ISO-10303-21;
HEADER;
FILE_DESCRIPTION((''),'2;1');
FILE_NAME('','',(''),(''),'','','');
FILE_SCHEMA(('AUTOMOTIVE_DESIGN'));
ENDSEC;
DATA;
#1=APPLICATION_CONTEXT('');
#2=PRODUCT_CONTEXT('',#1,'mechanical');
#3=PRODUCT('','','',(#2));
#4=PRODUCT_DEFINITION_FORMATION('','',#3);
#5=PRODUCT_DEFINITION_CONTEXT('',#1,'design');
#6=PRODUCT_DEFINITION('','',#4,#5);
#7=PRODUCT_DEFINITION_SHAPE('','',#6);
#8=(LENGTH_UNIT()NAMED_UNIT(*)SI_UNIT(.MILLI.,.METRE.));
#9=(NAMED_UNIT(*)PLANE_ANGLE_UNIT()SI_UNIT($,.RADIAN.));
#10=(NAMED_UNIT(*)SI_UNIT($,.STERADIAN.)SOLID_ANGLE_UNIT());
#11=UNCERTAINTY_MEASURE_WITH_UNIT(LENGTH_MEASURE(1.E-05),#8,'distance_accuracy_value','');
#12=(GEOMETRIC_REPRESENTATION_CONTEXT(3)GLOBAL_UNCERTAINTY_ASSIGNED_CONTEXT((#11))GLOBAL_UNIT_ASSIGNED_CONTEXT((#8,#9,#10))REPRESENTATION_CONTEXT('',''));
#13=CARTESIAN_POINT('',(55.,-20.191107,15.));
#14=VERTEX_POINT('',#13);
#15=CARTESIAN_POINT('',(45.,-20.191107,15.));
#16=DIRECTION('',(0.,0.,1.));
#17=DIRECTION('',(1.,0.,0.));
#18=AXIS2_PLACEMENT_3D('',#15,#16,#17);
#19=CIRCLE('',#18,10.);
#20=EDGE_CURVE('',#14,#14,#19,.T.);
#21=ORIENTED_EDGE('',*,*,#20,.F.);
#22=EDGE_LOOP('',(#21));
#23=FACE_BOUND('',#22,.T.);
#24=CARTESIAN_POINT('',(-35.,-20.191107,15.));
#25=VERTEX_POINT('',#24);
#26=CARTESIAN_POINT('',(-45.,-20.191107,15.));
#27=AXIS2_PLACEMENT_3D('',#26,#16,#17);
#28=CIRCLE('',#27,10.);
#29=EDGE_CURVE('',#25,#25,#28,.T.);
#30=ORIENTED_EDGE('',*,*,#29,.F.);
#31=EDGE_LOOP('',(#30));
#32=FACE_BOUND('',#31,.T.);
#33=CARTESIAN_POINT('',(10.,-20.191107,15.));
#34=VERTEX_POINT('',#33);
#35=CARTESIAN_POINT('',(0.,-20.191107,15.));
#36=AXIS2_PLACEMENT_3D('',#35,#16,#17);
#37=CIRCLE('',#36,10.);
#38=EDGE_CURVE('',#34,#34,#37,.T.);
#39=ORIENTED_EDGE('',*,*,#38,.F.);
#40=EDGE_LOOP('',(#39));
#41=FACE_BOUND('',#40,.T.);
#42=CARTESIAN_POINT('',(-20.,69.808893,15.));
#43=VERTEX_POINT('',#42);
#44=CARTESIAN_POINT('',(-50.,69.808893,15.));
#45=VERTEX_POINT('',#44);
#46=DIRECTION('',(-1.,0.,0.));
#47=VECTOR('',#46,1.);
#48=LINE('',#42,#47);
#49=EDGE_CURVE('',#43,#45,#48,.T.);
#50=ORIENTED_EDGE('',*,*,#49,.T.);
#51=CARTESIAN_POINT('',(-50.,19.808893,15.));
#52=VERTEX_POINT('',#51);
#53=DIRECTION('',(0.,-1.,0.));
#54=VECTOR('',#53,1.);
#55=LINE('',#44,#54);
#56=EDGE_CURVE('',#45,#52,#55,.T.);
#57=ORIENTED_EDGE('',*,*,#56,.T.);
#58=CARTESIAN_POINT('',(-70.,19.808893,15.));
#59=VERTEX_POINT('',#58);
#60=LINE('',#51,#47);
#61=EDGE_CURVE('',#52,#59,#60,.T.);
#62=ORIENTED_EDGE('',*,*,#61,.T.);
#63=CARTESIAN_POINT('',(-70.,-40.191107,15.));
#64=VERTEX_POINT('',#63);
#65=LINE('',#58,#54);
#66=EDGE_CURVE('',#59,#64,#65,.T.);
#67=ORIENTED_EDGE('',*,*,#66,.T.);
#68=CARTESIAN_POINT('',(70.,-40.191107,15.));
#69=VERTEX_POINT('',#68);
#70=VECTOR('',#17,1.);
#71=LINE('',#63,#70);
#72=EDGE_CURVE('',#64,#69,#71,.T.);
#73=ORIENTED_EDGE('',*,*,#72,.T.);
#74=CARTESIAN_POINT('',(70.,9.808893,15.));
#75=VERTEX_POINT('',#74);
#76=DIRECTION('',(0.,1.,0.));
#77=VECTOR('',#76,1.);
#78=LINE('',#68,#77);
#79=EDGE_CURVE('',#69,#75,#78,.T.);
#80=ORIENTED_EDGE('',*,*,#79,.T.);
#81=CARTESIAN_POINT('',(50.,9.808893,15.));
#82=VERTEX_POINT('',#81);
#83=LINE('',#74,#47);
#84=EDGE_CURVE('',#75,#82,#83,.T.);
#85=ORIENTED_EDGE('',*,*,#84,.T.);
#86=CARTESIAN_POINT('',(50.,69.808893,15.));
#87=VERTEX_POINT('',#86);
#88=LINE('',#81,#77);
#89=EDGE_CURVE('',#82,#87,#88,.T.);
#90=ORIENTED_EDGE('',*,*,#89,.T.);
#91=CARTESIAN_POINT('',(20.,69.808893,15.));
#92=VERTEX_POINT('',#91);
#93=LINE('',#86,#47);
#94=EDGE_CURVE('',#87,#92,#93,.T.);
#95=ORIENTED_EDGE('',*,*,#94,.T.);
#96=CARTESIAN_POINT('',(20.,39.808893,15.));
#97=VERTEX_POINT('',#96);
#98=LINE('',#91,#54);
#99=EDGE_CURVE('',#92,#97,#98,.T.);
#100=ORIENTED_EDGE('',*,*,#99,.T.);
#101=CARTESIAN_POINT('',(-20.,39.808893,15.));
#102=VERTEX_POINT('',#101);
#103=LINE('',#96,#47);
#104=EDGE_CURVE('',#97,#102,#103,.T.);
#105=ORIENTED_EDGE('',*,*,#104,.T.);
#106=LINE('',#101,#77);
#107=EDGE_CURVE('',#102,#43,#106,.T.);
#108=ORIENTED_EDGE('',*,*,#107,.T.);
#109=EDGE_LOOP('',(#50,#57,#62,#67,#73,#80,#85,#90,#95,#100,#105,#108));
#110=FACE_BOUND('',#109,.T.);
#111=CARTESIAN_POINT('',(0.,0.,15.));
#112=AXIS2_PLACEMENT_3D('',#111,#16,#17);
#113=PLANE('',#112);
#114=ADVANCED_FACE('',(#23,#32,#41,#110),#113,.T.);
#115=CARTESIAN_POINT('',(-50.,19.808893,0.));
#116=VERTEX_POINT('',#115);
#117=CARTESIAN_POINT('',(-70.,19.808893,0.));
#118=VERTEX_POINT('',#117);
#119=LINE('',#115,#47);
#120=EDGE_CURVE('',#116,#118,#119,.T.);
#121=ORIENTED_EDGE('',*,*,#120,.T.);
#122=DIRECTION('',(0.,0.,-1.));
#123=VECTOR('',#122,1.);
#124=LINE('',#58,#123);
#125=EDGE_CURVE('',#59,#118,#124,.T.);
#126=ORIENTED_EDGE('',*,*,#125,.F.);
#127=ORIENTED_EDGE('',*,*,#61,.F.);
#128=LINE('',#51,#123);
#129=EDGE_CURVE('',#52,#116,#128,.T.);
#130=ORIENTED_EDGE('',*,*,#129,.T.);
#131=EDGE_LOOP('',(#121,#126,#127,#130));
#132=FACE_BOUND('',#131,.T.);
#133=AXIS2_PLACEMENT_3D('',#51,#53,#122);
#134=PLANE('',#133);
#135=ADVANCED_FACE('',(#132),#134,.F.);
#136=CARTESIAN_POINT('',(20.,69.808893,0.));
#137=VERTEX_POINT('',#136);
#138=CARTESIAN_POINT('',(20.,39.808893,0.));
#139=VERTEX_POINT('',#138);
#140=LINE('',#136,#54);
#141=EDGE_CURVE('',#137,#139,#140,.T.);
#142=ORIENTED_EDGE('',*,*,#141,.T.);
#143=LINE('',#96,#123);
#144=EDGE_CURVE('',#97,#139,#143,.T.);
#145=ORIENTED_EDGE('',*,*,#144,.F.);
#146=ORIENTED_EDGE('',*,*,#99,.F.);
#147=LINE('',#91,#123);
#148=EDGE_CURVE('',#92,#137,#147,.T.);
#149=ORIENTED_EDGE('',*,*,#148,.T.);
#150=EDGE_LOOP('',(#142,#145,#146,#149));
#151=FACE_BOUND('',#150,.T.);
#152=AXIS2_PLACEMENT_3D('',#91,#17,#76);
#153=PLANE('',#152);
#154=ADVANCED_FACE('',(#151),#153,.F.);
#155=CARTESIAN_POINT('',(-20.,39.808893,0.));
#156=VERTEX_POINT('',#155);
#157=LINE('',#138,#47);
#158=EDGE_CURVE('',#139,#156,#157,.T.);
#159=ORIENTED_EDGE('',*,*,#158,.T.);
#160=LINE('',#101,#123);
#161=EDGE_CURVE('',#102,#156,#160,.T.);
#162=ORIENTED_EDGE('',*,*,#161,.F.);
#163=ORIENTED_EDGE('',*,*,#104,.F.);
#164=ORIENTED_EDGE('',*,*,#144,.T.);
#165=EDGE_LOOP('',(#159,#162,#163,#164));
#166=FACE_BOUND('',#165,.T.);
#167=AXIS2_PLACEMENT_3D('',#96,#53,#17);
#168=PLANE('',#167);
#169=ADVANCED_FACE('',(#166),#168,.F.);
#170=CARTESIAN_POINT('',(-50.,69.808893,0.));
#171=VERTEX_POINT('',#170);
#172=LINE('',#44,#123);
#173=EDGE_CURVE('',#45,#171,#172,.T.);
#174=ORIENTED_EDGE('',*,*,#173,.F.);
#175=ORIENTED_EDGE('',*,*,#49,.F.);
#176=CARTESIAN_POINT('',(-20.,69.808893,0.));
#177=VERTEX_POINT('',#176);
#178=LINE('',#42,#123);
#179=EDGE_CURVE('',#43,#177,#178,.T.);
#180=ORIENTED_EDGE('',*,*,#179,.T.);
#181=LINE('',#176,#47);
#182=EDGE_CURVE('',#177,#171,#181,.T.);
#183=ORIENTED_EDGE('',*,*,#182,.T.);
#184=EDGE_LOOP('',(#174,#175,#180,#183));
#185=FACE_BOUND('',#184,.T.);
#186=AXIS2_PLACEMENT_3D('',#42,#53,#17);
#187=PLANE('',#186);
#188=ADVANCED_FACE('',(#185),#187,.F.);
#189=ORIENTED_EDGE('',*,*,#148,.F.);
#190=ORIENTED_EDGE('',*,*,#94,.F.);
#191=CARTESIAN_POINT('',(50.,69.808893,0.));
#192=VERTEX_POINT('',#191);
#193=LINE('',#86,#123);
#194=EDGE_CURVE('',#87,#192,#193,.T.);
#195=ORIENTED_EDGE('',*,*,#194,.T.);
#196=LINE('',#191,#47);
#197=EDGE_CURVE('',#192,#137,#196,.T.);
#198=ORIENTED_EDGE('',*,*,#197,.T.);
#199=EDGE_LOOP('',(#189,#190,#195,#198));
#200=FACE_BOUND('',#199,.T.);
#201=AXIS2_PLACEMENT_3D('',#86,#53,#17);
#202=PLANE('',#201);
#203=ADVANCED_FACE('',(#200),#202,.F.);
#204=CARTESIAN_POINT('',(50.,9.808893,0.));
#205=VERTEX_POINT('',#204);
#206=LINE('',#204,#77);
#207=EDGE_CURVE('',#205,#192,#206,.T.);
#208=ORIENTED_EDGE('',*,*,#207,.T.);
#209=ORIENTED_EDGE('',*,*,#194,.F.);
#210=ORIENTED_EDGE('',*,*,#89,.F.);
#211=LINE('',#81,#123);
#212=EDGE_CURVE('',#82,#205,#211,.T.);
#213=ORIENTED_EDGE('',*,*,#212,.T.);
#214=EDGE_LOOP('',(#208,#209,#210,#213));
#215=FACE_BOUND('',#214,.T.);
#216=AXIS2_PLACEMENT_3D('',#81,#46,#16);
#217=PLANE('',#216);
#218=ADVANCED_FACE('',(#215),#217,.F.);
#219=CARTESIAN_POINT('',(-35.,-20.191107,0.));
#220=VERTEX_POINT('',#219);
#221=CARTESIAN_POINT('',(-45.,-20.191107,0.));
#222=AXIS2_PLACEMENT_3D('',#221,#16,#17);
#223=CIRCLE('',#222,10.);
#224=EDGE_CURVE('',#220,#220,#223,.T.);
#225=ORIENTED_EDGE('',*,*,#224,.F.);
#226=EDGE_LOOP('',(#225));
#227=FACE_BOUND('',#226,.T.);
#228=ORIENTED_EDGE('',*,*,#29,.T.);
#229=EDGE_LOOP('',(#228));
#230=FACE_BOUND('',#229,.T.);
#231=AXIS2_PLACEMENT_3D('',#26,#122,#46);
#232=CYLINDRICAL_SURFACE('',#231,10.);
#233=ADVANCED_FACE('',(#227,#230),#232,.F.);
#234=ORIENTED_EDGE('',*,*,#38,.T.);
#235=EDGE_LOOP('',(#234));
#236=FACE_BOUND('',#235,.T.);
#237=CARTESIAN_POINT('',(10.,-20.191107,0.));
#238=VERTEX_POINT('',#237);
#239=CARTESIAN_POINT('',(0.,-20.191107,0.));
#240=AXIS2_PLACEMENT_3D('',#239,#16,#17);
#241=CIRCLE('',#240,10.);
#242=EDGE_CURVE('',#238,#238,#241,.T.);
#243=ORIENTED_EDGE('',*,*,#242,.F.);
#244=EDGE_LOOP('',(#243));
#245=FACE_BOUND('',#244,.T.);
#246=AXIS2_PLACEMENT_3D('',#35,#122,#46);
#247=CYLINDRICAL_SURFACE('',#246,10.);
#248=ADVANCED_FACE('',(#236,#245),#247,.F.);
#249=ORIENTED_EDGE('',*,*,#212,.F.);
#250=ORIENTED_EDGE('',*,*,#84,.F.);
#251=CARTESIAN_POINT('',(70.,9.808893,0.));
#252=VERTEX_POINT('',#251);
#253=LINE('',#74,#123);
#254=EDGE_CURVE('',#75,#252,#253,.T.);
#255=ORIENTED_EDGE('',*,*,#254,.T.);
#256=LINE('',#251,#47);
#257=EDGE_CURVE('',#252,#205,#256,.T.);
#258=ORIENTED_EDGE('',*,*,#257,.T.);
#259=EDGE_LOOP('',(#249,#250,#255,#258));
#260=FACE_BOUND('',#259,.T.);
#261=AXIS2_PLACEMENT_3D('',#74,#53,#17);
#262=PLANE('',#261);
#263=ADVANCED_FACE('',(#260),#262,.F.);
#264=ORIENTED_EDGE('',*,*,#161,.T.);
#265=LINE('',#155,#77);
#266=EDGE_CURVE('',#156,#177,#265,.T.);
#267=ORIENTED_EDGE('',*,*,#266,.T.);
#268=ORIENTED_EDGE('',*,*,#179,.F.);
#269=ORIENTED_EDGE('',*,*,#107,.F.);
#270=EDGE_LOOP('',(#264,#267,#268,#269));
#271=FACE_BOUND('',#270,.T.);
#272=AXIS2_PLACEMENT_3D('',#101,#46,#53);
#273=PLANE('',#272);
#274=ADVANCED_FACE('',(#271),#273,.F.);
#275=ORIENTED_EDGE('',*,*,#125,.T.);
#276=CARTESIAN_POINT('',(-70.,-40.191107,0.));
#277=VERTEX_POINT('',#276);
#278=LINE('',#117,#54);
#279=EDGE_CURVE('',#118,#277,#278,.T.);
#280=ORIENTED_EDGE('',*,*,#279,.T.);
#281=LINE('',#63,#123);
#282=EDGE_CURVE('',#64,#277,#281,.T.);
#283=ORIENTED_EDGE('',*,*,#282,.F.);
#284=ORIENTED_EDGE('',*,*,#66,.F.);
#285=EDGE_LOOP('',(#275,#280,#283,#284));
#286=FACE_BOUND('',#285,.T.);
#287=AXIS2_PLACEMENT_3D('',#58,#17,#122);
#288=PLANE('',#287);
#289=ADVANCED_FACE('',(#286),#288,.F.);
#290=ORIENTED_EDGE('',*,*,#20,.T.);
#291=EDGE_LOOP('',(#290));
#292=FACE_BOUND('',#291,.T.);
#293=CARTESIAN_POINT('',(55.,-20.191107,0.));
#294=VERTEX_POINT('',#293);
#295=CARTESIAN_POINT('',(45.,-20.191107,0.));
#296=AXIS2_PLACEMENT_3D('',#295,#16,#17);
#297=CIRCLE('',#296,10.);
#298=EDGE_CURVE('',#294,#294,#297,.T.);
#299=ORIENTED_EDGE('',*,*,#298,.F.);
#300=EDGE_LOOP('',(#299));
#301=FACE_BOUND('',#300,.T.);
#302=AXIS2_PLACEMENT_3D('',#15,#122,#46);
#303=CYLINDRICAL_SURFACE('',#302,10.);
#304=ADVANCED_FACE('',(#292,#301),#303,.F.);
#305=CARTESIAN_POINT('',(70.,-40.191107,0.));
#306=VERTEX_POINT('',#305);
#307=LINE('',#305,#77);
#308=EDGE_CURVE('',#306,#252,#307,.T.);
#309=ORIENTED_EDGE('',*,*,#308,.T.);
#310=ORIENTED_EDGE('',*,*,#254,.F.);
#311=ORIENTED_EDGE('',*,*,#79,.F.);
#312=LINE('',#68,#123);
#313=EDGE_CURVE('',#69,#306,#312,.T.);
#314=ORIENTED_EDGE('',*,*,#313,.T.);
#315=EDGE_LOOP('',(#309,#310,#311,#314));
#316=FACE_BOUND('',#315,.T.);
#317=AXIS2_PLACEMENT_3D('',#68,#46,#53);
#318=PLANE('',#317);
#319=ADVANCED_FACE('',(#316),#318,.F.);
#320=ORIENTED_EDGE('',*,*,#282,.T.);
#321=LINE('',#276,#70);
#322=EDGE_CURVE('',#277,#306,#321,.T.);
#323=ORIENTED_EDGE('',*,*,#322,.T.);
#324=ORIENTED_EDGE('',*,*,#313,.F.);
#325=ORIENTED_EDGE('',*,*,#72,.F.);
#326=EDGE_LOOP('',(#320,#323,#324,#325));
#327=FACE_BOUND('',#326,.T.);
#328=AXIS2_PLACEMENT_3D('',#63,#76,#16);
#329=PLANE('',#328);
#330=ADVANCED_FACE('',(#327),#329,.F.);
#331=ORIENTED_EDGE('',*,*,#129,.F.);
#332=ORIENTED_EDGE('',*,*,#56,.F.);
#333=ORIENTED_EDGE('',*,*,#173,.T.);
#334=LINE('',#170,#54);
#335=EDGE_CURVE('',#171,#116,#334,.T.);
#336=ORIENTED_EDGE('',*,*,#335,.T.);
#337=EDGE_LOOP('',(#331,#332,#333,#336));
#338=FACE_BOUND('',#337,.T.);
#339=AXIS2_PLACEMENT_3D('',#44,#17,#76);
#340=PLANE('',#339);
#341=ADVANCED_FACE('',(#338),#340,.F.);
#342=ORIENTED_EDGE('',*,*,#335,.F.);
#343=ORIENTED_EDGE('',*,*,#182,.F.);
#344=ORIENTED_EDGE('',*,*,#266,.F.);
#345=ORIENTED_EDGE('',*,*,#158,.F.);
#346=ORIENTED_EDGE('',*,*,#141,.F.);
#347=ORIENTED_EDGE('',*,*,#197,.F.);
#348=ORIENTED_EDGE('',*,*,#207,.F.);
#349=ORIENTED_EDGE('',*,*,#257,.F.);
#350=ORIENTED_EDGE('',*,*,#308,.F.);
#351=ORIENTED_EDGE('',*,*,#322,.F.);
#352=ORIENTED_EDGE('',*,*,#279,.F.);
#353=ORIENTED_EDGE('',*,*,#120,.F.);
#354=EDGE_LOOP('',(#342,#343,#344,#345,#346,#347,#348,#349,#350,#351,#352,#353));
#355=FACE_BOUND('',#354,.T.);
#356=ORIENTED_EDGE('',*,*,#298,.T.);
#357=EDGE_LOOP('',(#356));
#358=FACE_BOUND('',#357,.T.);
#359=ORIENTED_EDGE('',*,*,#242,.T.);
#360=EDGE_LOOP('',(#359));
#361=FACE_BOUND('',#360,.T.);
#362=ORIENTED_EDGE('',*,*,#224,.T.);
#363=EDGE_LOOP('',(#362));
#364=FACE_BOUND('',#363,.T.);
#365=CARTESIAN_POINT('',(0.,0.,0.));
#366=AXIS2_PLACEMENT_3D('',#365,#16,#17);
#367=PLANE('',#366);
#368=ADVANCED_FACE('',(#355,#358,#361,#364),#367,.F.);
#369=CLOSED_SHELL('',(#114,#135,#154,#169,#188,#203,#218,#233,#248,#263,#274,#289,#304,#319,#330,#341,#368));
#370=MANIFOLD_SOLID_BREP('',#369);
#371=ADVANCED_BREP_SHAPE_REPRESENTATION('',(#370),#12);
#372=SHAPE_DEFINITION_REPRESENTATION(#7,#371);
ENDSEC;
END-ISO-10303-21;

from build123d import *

# Parameters (mm, degrees)
SKETCH1_R           = 10
BOSS_EXTRUDE1_DEPTH = 15


with BuildPart() as part:
    # Sketch1 (on Front Plane) → Boss-Extrude1 (new body)
    with BuildSketch(Plane.XY):
        Polygon((-70, 19.808892587), (-70, -40.191107413), (70, -40.191107413), (70, 9.808892587), (50, 9.808892587), (50, 69.808892587), (20, 69.808892587), (20, 39.808892587), (-20, 39.808892587), (-20, 69.808892587), (-50, 69.808892587), (-50, 19.808892587), align=None)
        with Locations((-45, -20.191107413)):
            Circle(SKETCH1_R, mode=Mode.SUBTRACT)
        with Locations((0, -20.191107413)):
            Circle(SKETCH1_R, mode=Mode.SUBTRACT)
        with Locations((45, -20.191107413)):
            Circle(SKETCH1_R, mode=Mode.SUBTRACT)
    extrude(amount=BOSS_EXTRUDE1_DEPTH)


solid = part.part
